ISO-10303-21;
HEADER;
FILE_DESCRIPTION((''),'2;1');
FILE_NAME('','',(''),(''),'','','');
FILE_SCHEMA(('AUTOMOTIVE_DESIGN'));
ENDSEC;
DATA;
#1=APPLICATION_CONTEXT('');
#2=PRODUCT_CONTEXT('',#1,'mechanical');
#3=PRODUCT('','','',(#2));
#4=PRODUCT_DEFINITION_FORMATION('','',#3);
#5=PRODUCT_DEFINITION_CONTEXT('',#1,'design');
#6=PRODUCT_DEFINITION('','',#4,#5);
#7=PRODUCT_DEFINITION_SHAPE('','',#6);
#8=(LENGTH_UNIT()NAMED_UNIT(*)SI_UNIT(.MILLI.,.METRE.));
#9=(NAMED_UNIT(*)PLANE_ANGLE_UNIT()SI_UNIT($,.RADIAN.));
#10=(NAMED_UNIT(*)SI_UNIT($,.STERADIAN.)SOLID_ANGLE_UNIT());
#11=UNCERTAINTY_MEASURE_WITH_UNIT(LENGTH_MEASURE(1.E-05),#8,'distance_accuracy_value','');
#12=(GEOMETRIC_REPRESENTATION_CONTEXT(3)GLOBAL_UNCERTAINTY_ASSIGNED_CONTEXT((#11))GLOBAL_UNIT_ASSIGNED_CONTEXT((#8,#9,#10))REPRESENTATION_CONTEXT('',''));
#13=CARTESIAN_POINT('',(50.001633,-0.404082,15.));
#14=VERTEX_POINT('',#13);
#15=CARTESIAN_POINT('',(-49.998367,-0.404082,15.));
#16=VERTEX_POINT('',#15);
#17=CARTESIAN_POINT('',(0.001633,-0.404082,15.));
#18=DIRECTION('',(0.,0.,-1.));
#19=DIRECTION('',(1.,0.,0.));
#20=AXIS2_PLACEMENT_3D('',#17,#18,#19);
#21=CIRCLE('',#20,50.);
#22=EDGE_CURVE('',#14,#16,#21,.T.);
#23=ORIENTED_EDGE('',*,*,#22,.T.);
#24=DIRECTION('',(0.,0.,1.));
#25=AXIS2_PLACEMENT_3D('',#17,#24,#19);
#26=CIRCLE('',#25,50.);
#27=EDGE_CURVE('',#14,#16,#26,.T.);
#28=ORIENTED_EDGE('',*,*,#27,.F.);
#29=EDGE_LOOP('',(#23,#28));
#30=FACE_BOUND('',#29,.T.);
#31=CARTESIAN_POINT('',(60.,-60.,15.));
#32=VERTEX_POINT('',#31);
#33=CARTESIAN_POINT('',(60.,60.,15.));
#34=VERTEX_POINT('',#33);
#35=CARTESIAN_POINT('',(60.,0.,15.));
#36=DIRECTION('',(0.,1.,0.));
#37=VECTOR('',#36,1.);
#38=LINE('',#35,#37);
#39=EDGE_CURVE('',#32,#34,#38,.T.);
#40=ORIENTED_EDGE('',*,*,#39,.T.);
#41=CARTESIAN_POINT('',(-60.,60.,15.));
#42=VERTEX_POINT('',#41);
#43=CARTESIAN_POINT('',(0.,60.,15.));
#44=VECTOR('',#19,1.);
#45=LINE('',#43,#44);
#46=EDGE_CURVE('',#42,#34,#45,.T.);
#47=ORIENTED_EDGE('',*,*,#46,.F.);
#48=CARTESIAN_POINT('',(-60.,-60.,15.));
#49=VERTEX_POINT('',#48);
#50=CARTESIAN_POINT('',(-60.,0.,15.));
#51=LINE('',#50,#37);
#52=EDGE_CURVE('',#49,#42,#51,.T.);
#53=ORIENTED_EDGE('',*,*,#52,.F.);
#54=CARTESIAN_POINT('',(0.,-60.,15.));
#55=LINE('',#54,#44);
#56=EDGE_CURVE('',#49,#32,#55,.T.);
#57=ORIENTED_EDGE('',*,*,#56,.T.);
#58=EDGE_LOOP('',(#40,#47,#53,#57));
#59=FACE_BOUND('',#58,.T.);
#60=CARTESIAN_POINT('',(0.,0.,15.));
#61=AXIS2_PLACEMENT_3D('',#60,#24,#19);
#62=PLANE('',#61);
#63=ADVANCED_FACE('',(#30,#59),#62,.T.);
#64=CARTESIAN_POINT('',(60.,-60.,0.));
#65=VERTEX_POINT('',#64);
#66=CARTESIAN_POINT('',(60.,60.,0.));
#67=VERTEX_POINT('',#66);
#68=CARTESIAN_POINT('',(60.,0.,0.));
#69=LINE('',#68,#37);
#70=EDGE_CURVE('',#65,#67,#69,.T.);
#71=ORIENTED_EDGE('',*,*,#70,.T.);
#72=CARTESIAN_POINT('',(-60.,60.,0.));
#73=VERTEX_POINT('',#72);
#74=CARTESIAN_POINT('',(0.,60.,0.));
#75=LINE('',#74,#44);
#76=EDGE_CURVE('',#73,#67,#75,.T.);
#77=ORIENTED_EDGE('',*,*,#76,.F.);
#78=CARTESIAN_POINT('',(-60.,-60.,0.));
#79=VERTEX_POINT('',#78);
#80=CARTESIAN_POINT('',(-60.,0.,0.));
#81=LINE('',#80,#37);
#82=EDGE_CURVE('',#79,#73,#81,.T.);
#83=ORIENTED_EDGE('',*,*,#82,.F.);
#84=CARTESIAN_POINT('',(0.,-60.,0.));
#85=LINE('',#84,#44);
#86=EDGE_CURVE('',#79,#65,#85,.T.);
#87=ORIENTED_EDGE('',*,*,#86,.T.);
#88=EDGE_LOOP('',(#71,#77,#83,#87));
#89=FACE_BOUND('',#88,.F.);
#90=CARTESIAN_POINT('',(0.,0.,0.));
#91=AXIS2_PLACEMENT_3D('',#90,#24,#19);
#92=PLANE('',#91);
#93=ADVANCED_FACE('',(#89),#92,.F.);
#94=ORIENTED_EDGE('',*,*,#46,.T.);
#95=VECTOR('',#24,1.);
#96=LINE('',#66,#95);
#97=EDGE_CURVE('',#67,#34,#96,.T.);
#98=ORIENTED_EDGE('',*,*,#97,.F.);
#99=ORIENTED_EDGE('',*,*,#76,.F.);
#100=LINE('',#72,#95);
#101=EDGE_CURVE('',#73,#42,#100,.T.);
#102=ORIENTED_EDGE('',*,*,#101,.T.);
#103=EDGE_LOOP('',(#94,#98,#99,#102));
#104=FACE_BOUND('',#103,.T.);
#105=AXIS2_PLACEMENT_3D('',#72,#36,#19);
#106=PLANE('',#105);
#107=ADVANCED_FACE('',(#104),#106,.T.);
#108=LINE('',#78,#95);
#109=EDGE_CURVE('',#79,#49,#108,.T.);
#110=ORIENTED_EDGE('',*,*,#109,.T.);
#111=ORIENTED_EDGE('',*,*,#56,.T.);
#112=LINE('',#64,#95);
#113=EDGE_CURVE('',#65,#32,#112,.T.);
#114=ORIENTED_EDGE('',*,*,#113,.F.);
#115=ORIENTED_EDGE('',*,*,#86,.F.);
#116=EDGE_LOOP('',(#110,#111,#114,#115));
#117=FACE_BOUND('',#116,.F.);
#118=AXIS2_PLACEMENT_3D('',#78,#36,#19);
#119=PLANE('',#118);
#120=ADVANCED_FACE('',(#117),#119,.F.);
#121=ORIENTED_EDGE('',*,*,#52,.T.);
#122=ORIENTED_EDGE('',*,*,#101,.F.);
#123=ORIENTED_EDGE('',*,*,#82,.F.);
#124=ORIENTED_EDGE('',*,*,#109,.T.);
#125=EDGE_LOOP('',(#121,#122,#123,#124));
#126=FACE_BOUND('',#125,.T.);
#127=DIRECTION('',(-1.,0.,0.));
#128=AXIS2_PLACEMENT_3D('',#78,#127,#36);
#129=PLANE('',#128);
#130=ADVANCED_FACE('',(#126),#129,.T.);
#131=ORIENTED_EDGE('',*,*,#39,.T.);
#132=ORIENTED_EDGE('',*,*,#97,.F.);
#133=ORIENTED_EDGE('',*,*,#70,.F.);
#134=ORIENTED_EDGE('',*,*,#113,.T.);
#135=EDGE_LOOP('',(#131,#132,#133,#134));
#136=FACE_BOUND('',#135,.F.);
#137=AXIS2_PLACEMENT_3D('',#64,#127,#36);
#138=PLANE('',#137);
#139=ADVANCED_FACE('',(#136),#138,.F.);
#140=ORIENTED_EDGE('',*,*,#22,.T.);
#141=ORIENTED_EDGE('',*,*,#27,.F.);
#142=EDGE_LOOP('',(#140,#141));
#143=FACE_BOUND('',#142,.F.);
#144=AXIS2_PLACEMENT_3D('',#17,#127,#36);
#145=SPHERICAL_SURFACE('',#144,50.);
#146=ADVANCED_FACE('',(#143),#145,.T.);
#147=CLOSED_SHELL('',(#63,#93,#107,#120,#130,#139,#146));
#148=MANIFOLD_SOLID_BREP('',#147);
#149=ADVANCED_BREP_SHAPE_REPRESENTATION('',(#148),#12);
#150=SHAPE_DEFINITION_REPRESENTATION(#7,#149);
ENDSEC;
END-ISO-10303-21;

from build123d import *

# Parameters (mm, degrees)
F0_W     = 120
F0_H     = 120
F1_DEPTH = 15
F3_ANGLE = 180


with BuildPart() as f1:
    # F0 (on Top) → F1 (new body)
    with BuildSketch(Plane.XY):
        Rectangle(F0_W, F0_H)
    extrude(amount=F1_DEPTH)

    # F2 (on face) → F3 (revolve)
    with BuildSketch(Plane.XY.offset(15)):
        with BuildLine():
            ThreePointArc((50.001633, -0.404082), (0.001633, 49.595918), (-49.998367, -0.404082))
            Line((-49.998367, -0.404082), (50.001633, -0.404082))
        make_face()
    revolve(axis=Axis((0.001633, -0.404082, 15), (1, 0, 0)), revolution_arc=F3_ANGLE)


solid = f1.part
